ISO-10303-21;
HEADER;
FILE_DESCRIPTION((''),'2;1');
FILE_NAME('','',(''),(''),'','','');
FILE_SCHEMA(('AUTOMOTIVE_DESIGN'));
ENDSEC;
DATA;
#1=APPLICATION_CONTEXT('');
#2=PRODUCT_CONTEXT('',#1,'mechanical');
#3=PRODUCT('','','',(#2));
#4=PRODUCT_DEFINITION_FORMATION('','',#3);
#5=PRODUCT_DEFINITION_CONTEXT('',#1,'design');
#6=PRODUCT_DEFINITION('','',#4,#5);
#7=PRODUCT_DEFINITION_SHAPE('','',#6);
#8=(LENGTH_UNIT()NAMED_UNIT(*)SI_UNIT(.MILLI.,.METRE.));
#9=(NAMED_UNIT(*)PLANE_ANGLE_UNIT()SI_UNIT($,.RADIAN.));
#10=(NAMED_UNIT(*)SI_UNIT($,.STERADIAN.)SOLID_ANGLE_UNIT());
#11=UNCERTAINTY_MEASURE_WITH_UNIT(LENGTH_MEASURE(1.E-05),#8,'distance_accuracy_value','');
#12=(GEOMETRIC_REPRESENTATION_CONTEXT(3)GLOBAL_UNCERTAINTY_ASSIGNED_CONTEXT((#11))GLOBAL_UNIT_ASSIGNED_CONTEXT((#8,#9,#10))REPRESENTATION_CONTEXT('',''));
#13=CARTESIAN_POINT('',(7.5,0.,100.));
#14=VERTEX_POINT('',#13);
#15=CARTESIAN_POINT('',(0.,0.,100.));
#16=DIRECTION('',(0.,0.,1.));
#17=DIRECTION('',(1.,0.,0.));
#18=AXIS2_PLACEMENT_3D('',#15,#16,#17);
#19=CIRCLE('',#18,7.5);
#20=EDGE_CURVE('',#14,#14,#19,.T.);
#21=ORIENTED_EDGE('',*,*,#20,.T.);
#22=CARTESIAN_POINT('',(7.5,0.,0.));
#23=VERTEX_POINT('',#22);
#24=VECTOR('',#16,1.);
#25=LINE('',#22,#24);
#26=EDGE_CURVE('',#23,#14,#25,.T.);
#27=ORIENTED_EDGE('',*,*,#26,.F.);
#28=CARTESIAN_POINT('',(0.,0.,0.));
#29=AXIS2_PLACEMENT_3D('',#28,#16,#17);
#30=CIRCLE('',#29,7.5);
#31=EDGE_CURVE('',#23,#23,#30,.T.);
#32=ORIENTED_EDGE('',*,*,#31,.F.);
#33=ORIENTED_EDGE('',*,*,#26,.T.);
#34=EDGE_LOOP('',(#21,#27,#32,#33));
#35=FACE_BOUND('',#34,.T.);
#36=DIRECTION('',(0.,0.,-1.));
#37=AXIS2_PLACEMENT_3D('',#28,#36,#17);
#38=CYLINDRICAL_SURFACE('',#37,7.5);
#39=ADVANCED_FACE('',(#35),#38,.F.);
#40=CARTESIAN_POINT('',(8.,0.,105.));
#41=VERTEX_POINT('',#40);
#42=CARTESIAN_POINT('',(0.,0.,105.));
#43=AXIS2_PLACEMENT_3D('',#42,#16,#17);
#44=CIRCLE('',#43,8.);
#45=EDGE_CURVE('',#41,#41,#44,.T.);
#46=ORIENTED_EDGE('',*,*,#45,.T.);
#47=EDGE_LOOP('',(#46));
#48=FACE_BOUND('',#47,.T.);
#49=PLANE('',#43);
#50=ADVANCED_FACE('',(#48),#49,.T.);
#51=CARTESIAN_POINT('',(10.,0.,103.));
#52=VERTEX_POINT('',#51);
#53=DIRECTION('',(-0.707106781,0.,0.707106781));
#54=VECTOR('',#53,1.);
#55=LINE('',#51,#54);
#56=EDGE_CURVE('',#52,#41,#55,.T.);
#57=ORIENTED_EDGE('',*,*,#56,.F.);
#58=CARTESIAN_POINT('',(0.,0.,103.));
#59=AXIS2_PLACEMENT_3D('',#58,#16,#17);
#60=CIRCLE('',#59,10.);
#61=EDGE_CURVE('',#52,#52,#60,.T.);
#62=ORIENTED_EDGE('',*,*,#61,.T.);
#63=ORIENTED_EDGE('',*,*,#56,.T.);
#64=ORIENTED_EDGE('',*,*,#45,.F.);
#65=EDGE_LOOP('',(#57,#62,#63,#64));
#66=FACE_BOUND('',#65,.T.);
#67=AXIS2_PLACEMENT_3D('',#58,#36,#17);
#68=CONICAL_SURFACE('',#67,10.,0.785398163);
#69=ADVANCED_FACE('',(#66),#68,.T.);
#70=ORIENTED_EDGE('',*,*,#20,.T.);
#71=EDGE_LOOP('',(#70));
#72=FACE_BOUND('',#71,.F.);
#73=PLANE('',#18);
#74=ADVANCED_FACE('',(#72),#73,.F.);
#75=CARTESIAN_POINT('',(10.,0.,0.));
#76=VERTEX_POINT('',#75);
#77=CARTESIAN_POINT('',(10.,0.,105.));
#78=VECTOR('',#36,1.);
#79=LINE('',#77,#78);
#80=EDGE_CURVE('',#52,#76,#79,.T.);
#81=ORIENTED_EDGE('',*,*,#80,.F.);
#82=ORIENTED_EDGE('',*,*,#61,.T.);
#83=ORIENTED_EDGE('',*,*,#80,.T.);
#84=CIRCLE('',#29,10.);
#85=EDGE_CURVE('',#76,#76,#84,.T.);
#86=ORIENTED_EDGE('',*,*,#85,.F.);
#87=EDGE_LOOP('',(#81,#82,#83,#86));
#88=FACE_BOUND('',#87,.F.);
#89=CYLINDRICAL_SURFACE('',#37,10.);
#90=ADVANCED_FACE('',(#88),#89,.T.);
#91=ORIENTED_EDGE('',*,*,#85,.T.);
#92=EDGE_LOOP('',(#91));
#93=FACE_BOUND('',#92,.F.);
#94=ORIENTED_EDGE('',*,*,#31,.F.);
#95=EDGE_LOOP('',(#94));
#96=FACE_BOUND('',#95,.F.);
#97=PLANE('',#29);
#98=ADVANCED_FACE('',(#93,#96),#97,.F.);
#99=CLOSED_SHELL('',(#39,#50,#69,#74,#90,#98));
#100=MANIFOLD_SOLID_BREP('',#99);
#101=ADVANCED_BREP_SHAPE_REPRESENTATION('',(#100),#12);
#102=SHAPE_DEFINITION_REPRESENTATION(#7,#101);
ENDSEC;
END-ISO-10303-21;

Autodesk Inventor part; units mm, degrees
ref_plane "YZ Plane" through (0, 0, 0) normal (1, 0, 0) x (0, 1, 0)
ref_plane "XZ Plane" through (0, 0, 0) normal (0, 1, 0) x (-1, 0, 0)
ref_plane "XY Plane" through (0, 0, 0) normal (0, 0, 1) x (1, 0, 0)
sketch "Skizze1" plane through (0, 0, 0) normal (0, 0, 1) x (1, 0, 0)
  circle A0 centre (0, 0) radius 7.5
  circle A1 centre (0, 0) radius 10
  dimension "d0" = 15
  dimension "d1" = 20
extrude "Extrusion1" add sketch "Skizze1" along normal blind 100
sketch "Skizze2" plane through (0, 0, 100) normal (0, 0, 1) x (1, 0, 0)
  circle A0 centre (0, 0) radius 10 projected
extrude "Extrusion2" add sketch "Skizze2" along normal blind 5
chamfer "Fase1" distance 2 angle 45 1 edges at (-10, 0, 105)
properties part number "Magazin"
